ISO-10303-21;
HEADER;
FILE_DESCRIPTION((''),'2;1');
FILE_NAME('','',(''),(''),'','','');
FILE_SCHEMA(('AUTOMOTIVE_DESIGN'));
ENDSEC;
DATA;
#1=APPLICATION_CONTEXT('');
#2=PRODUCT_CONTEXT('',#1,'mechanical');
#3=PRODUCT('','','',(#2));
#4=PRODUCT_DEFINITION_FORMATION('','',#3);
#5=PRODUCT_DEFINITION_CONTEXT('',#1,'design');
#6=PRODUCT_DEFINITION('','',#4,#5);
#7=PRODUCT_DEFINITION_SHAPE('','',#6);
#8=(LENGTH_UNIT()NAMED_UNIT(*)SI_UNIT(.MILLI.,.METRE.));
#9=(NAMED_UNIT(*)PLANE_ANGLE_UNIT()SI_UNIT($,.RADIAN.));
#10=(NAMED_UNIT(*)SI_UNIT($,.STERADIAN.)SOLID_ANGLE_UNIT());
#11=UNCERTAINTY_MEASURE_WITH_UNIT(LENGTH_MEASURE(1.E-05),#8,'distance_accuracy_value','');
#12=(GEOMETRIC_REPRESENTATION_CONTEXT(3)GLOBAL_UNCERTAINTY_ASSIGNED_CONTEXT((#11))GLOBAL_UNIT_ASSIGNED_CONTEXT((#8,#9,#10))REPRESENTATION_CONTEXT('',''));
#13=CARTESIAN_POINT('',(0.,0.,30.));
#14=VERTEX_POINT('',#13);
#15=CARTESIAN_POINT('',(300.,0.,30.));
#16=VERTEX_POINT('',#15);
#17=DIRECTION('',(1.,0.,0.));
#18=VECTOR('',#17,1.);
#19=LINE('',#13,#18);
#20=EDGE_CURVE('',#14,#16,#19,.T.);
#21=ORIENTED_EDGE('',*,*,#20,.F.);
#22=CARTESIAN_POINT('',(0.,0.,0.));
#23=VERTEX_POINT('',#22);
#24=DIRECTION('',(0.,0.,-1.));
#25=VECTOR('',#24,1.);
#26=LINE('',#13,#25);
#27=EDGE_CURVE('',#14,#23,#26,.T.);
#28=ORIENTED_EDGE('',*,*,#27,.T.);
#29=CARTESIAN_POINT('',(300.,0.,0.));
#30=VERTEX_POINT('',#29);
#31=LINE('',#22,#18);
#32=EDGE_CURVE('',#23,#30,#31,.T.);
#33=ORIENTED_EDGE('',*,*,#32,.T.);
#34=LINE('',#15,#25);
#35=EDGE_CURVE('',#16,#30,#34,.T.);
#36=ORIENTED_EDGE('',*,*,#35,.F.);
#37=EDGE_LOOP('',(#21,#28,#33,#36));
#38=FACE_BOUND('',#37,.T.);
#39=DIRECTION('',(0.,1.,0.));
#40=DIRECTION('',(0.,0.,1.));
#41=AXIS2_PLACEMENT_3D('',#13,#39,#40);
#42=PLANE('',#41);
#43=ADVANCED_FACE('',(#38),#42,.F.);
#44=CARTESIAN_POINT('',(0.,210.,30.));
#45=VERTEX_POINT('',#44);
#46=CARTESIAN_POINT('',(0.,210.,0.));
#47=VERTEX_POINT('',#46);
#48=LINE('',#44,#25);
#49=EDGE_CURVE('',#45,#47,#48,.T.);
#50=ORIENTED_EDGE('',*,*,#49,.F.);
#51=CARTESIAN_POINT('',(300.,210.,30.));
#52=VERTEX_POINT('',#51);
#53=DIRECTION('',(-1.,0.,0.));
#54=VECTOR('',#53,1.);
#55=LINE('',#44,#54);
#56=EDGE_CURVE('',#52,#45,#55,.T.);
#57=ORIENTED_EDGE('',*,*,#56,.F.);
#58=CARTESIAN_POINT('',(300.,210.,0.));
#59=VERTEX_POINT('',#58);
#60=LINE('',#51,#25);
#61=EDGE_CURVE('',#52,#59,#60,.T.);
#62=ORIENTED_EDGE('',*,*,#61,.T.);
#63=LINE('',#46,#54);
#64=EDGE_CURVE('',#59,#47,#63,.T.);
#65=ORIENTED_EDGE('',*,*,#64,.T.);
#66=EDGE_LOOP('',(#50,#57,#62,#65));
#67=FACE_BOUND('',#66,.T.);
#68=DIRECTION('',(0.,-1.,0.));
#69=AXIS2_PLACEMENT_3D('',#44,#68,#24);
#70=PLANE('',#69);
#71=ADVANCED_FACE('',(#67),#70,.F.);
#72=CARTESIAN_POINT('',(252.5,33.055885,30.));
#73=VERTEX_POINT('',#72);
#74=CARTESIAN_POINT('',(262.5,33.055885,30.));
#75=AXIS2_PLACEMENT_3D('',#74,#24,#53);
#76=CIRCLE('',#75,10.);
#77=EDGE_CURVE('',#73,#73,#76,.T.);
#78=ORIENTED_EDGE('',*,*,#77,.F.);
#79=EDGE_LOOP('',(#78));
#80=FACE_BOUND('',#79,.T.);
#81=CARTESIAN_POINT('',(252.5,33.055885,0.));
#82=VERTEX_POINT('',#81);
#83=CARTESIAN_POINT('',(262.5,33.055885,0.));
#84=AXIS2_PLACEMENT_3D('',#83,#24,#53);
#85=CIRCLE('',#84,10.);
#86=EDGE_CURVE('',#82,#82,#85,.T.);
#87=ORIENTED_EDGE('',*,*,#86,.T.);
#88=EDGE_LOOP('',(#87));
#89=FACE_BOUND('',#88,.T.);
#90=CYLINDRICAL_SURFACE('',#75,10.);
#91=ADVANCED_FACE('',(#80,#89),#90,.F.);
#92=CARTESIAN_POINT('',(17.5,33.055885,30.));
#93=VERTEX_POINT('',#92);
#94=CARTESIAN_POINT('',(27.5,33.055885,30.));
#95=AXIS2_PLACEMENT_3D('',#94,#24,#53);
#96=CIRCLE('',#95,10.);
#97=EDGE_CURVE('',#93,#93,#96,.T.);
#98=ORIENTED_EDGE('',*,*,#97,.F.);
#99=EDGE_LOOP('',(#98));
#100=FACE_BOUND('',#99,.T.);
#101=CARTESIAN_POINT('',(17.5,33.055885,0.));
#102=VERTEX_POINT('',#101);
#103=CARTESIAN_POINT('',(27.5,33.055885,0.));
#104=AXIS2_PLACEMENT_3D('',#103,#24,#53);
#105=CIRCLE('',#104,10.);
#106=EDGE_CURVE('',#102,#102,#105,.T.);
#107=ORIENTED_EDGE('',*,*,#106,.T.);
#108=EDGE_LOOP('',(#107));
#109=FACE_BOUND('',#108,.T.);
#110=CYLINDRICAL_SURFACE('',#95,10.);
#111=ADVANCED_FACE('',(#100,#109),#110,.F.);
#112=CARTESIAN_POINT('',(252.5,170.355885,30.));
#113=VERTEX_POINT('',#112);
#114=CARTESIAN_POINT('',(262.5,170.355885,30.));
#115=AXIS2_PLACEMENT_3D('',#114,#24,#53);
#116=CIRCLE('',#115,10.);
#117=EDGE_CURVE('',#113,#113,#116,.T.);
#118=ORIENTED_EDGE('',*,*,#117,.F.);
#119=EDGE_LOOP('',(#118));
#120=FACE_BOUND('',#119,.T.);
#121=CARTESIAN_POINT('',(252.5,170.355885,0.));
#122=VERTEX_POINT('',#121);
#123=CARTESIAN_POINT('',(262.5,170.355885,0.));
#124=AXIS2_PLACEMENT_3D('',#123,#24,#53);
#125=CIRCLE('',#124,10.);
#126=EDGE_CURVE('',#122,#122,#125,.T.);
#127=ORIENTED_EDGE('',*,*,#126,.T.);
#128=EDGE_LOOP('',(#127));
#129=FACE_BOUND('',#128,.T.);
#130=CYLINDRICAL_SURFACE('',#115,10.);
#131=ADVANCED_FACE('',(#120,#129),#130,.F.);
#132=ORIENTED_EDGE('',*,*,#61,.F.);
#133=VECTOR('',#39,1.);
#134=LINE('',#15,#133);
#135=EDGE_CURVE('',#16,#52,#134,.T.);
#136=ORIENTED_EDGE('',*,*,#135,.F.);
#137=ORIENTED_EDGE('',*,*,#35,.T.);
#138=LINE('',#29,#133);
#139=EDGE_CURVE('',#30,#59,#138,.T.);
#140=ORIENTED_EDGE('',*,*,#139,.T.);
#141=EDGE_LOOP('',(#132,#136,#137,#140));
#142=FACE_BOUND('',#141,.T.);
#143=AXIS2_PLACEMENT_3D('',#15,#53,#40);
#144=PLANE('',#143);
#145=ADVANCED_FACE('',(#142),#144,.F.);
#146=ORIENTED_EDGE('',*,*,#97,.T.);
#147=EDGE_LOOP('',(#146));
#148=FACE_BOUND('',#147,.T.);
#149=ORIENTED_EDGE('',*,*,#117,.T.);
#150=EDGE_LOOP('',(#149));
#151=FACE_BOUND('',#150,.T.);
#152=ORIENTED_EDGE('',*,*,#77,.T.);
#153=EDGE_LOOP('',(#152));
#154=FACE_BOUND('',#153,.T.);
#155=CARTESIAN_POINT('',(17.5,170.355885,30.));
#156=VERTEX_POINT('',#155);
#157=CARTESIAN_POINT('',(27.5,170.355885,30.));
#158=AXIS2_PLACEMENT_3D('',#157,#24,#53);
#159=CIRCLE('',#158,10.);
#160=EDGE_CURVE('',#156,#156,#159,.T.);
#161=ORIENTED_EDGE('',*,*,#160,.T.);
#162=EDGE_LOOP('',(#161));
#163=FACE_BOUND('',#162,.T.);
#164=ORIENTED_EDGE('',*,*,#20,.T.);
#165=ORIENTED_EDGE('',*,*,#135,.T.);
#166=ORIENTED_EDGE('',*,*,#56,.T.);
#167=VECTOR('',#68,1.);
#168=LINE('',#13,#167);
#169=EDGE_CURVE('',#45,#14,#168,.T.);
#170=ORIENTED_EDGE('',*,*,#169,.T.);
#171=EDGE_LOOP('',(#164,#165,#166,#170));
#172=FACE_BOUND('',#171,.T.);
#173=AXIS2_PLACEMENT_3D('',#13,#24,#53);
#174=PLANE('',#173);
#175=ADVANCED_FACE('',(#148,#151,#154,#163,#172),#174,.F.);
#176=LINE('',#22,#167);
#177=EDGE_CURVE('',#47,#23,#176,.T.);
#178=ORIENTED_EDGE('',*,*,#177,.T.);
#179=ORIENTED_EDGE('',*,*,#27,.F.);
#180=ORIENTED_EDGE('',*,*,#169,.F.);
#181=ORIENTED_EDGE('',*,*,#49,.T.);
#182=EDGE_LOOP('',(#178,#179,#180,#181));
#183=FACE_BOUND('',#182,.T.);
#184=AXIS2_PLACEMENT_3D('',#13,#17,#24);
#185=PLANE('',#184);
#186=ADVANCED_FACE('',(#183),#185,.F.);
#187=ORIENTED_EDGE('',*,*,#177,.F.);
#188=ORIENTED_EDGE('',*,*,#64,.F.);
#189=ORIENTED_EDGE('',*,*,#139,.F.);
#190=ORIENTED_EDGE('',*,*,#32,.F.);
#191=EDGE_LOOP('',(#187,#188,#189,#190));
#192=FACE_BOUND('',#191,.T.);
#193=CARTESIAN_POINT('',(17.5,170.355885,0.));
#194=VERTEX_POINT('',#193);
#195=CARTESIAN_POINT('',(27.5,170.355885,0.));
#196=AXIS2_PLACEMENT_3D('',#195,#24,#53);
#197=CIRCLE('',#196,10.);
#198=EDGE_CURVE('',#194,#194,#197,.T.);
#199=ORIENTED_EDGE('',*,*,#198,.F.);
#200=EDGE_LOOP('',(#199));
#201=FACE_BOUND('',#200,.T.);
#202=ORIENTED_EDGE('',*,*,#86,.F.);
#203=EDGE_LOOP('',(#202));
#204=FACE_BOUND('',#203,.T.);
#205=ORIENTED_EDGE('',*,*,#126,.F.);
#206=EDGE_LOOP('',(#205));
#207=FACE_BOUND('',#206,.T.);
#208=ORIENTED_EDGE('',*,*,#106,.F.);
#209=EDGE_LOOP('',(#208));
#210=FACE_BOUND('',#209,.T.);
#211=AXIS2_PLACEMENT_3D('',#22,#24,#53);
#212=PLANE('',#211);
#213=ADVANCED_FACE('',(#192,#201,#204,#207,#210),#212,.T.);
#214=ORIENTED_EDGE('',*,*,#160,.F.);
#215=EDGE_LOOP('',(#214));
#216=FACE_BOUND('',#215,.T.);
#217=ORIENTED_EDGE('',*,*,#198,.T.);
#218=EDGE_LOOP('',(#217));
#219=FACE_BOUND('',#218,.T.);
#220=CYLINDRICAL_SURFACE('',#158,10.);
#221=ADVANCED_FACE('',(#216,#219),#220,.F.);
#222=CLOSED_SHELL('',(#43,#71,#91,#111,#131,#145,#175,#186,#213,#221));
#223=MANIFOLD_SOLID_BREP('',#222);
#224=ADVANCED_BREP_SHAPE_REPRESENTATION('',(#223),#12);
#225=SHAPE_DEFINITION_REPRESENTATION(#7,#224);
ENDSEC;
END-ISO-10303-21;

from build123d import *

# Parameters (mm, degrees)
ESQUISSE1_W             = 300
ESQUISSE1_H             = 210
BOSS_EXTRU_1_DEPTH      = 30
ESQUISSE2_R             = 10
ENL_V_MAT_EXTRU_1_DEPTH = 30


with BuildPart() as part:
    # Esquisse1 → Boss.-Extru.1 (new body)
    with BuildSketch(Plane.XY):
        with Locations((150, 105)):
            Rectangle(ESQUISSE1_W, ESQUISSE1_H)
    extrude(amount=BOSS_EXTRU_1_DEPTH)

    # Esquisse2 → Enlèv. mat.-Extru.1 (cut)
    with BuildSketch(Plane(origin=(0, 0, 0), x_dir=(-1, 0, 0), z_dir=(0, 0, -1))):
        with Locations((-27.5, 33.055885432)):
            Circle(ESQUISSE2_R)
        with Locations((-27.5, 170.355885432)):
            Circle(ESQUISSE2_R)
        with Locations((-262.500000473, 170.355885432)):
            Circle(ESQUISSE2_R)
        with Locations((-262.500000473, 33.055885432)):
            Circle(ESQUISSE2_R)
    extrude(amount=-ENL_V_MAT_EXTRU_1_DEPTH, mode=Mode.SUBTRACT)


solid = part.part
